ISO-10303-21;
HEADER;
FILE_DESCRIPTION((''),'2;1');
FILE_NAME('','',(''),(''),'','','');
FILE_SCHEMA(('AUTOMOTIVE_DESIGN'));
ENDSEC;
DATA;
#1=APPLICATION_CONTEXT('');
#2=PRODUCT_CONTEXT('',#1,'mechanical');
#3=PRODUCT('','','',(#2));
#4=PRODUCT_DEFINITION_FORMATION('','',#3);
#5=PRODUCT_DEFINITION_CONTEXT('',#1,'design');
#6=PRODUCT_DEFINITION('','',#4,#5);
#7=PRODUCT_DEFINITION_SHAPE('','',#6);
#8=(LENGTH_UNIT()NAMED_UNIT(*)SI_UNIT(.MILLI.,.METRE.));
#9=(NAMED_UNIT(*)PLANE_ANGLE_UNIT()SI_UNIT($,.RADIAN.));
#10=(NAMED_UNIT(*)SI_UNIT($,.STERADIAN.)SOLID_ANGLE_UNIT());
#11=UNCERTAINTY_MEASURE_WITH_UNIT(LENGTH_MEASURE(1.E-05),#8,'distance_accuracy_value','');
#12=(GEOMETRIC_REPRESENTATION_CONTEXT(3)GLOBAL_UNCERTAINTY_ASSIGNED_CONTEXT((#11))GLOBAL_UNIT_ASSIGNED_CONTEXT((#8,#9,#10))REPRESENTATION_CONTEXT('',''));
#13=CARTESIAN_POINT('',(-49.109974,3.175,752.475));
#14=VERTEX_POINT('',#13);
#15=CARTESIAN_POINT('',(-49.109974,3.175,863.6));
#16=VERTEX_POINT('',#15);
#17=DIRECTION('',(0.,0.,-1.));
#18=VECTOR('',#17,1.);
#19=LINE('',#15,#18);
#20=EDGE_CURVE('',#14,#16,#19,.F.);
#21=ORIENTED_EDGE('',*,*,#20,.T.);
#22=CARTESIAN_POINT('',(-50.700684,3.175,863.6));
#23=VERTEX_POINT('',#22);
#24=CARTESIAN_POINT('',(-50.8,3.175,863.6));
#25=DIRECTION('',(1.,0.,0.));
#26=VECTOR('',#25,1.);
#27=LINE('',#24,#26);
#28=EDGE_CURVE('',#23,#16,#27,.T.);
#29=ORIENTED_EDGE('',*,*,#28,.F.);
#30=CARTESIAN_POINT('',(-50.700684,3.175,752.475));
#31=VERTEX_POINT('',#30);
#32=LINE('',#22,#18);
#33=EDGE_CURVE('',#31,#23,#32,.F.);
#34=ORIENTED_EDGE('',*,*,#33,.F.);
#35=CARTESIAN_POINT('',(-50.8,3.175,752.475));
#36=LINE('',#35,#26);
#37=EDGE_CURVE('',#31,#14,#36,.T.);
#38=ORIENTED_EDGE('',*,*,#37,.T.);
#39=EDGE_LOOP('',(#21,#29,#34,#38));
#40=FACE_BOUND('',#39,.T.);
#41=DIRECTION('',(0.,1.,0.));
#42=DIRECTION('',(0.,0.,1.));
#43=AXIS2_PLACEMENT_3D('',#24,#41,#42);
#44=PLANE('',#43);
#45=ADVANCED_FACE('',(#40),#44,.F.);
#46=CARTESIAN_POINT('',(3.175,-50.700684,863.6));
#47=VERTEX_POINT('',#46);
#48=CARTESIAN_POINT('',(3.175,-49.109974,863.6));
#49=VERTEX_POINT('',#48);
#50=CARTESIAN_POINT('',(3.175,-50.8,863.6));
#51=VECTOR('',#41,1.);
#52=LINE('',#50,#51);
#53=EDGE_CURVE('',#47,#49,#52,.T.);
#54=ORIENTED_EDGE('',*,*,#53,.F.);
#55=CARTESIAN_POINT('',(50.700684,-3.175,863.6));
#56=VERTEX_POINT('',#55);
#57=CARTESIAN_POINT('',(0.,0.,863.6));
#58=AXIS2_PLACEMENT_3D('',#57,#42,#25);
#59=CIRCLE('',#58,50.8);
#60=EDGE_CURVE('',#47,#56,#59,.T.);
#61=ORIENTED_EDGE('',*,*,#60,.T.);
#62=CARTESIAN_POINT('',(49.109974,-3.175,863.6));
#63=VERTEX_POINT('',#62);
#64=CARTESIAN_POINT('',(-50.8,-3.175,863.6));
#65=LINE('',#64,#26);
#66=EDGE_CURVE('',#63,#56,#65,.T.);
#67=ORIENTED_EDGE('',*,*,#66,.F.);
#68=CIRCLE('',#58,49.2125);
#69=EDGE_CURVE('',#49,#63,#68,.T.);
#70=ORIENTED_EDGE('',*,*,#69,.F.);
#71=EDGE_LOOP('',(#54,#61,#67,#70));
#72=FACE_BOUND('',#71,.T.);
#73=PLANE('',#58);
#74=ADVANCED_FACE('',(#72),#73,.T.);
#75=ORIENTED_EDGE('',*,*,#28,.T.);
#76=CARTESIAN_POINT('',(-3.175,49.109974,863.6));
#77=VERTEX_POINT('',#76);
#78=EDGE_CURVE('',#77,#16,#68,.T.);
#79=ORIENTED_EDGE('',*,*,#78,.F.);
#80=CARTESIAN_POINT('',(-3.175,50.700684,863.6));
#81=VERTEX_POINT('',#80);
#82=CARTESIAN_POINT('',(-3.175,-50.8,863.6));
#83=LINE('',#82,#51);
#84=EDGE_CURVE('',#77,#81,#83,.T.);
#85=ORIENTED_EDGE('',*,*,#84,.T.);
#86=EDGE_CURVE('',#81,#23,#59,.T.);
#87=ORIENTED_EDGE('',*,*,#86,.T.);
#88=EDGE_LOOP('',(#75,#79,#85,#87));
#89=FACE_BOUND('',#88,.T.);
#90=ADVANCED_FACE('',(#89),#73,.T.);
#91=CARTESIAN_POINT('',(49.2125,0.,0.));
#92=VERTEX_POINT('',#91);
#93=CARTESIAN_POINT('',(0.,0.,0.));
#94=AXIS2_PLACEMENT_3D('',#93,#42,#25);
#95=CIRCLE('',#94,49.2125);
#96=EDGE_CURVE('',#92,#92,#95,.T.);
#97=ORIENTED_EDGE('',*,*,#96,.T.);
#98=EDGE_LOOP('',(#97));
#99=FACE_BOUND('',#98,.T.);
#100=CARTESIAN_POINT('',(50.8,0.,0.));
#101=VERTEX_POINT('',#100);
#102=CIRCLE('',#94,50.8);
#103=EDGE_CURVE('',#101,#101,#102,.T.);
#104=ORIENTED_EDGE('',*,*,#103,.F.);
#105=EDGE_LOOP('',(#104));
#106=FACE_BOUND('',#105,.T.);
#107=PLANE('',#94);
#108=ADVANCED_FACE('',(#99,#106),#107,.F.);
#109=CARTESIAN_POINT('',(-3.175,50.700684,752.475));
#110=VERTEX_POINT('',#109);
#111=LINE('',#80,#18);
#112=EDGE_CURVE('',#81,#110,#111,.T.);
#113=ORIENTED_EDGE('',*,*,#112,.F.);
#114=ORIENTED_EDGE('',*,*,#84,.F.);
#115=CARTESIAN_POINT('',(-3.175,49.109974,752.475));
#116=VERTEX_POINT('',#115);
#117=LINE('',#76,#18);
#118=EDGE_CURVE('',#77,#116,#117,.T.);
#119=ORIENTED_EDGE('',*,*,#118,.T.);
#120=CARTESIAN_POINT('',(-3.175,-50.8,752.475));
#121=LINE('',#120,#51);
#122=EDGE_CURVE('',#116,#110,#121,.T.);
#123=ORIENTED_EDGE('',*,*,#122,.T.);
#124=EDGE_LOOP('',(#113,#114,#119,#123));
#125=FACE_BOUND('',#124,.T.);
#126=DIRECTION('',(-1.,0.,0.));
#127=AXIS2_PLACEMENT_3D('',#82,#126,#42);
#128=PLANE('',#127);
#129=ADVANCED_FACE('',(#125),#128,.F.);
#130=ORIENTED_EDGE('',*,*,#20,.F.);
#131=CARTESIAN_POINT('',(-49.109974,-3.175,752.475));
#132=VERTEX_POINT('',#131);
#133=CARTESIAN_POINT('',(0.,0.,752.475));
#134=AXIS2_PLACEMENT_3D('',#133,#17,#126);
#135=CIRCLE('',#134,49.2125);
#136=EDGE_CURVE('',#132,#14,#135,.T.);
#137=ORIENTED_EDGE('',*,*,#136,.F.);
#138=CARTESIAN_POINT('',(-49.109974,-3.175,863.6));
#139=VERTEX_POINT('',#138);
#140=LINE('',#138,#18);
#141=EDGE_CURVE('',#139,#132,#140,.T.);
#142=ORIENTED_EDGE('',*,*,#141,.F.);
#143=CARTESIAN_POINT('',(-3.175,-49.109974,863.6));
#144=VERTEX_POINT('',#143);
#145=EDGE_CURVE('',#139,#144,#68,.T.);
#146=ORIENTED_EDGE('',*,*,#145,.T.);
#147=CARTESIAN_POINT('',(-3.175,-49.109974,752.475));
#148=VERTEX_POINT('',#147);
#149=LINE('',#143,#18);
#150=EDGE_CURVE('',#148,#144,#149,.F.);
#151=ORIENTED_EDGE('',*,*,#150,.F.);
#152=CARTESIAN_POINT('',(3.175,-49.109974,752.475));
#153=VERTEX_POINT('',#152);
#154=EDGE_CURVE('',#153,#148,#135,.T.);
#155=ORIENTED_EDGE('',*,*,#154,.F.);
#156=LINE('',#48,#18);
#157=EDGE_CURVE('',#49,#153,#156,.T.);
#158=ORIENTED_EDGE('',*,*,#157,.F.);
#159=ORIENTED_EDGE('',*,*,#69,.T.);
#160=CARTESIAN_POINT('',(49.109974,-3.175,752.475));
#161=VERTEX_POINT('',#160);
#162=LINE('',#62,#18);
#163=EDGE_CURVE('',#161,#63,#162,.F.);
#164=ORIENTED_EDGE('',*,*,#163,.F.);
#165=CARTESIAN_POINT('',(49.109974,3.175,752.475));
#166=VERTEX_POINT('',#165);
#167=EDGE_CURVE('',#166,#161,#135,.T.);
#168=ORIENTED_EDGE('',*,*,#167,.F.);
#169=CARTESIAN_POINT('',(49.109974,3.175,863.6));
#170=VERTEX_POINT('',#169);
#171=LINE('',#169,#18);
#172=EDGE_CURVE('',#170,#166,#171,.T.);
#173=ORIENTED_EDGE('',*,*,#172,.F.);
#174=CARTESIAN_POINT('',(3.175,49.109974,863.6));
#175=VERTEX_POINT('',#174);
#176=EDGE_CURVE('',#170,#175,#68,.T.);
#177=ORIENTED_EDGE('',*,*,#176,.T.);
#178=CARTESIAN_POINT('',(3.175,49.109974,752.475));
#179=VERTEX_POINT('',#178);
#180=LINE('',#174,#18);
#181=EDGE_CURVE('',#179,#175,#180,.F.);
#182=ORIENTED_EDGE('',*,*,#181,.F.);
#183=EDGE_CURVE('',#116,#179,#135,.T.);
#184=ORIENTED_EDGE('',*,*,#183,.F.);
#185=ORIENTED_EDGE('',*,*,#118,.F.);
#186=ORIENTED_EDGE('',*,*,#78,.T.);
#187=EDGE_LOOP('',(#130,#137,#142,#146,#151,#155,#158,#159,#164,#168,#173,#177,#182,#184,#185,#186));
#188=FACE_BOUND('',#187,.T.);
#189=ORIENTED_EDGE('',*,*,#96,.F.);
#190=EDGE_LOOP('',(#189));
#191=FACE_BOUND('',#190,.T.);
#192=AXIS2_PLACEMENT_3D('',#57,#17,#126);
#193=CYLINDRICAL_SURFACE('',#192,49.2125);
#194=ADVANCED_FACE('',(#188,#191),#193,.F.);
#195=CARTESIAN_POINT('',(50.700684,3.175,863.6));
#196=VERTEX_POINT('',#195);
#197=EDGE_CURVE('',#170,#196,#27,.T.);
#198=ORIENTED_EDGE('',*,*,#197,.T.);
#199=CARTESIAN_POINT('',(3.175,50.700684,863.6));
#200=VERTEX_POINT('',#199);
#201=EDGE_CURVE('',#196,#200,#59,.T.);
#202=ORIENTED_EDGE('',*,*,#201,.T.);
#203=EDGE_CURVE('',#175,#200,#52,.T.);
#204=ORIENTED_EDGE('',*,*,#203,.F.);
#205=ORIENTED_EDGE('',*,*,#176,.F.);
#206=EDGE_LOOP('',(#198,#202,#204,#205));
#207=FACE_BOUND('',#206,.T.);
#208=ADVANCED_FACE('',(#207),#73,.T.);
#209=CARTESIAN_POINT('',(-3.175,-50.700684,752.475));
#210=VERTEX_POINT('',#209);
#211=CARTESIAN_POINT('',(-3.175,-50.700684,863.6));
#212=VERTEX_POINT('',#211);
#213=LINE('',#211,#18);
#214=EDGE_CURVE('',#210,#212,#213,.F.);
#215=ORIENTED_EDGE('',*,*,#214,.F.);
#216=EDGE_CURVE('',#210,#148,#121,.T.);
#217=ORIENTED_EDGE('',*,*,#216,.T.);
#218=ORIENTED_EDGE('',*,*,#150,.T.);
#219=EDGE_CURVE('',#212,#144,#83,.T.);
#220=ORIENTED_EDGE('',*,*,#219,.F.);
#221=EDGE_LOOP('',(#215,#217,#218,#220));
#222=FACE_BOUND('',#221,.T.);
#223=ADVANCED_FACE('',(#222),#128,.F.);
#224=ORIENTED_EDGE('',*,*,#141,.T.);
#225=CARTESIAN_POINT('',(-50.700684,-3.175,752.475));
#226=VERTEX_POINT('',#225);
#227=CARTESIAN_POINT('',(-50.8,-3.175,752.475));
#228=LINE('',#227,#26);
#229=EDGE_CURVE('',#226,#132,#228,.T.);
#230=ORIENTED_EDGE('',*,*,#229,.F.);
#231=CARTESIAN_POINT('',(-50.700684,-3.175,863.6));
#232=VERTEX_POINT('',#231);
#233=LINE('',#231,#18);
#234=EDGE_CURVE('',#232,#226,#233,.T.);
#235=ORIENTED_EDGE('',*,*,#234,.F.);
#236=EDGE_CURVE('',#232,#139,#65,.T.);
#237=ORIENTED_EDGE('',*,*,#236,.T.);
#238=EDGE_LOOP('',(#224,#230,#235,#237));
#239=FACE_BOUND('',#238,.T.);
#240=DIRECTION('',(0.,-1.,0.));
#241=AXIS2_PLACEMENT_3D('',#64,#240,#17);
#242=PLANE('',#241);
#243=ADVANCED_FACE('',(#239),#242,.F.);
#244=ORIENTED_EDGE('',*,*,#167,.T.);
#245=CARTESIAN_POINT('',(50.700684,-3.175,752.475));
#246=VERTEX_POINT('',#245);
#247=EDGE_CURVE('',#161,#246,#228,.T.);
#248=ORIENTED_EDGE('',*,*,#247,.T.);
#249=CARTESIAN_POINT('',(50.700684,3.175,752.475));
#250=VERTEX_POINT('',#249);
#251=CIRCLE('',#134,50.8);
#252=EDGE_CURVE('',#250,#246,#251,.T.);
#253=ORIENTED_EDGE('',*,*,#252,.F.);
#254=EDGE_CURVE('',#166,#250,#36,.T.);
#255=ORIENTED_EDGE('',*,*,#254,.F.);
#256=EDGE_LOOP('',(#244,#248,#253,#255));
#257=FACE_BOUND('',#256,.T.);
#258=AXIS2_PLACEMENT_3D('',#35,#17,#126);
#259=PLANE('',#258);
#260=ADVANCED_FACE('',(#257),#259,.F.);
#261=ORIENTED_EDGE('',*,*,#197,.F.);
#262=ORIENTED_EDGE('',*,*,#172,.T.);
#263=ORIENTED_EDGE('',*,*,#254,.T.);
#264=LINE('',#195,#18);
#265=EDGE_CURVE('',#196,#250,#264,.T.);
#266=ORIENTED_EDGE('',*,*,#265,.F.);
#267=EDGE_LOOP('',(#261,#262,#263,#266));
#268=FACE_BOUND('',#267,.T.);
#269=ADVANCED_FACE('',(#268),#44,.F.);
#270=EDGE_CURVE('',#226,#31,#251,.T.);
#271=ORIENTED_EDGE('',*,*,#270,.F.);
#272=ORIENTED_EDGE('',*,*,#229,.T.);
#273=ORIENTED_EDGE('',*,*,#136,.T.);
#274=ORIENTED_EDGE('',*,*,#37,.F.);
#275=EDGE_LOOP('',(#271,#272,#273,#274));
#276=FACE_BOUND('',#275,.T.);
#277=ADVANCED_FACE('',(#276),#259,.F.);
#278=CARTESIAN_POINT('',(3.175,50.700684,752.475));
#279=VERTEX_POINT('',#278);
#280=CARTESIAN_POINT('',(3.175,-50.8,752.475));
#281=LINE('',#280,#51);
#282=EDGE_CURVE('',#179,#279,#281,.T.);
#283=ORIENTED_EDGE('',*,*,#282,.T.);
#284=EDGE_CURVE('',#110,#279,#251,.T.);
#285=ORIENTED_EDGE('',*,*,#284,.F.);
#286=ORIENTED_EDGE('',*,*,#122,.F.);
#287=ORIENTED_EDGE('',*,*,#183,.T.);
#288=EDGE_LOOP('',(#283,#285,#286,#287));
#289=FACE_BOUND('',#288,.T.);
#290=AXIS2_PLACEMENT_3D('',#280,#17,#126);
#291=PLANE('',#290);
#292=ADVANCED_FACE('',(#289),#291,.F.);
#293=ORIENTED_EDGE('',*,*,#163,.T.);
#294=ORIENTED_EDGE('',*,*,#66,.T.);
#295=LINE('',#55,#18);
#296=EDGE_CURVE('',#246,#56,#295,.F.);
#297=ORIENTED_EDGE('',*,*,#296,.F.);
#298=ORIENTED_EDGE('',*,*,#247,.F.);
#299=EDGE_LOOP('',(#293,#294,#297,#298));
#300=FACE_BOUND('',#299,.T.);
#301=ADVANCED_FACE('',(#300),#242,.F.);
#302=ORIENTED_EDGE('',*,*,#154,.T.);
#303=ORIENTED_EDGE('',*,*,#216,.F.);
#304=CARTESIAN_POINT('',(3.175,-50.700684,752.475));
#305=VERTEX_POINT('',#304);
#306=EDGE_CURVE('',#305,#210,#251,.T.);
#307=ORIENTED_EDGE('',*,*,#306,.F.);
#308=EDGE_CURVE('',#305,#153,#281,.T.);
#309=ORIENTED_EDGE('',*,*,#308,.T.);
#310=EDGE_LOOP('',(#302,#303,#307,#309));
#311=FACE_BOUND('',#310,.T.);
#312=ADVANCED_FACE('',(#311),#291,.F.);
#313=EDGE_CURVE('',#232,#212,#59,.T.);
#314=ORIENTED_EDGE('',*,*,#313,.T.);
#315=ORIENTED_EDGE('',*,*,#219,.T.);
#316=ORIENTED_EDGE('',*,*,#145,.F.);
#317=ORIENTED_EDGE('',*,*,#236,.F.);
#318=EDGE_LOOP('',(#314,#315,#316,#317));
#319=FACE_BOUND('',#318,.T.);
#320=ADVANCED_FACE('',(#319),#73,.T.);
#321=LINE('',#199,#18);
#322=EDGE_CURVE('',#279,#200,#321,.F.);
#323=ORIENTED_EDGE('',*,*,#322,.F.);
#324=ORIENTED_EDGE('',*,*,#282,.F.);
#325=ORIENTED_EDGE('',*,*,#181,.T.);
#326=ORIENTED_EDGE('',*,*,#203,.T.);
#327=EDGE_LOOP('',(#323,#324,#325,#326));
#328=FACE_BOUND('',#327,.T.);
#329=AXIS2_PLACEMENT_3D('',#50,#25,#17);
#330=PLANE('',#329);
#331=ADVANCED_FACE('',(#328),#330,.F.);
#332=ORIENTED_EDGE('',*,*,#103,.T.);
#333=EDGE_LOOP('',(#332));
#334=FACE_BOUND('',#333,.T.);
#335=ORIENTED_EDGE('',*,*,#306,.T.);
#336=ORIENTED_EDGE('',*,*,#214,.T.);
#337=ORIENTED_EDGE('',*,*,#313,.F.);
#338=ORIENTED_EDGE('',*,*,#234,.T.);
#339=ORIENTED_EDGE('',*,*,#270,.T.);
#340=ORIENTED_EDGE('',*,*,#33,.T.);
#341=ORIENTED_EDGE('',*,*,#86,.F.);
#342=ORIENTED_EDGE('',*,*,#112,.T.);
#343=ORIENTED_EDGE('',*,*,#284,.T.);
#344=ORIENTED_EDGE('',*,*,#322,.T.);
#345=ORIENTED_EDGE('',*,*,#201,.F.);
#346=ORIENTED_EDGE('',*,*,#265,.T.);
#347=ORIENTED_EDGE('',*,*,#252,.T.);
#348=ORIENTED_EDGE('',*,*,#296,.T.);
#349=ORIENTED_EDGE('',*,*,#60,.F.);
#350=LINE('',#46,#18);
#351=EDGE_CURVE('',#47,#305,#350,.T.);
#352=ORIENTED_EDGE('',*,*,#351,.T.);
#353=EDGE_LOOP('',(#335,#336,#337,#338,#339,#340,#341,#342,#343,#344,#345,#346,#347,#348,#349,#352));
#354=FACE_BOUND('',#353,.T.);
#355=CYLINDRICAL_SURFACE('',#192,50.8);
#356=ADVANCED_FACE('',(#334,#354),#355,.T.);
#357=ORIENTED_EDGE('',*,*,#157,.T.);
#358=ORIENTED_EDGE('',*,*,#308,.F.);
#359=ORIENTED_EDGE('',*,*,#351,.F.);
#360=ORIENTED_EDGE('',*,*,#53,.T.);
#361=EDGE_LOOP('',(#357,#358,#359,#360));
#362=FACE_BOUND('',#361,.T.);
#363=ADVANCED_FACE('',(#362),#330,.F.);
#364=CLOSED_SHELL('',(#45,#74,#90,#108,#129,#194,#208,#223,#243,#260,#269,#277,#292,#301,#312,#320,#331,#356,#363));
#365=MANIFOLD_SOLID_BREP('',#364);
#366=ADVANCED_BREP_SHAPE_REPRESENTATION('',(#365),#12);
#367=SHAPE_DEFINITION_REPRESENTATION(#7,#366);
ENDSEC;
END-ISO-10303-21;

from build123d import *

# Parameters (mm, degrees)
SKETCH1_R               = 50.8
SKETCH1_R_2             = 49.2125
BOSS_EXTRUDE1_DEPTH     = 863.6
SKETCH2_W               = 6.35
SKETCH2_H               = 111.125
CUT_EXTRUDE1_DEPTH      = 51.8
CUT_EXTRUDE1_DEPTH_BACK = 51.8
SKETCH3_W               = 111.125
SKETCH3_H               = 6.35
CUT_EXTRUDE2_DEPTH      = 51.8
CUT_EXTRUDE2_DEPTH_BACK = 51.8


with BuildPart() as part:
    # Sketch1 → Boss-Extrude1 (new body)
    with BuildSketch(Plane.XY):
        Circle(SKETCH1_R)
        Circle(SKETCH1_R_2, mode=Mode.SUBTRACT)
    extrude(amount=BOSS_EXTRUDE1_DEPTH)

    # Sketch2 → Cut-Extrude1 (cut, two sides)
    with BuildSketch(Plane(origin=(0, 0, 0), x_dir=(1, 0, 0), z_dir=(0, 1, 0))) as cut_extrude1_sk:
        with Locations((0, -808.0375)):
            Rectangle(SKETCH2_W, SKETCH2_H)
    extrude(amount=CUT_EXTRUDE1_DEPTH, mode=Mode.SUBTRACT)
    extrude(cut_extrude1_sk.sketch, amount=-CUT_EXTRUDE1_DEPTH_BACK, mode=Mode.SUBTRACT)

    # Sketch3 → Cut-Extrude2 (cut, two sides)
    with BuildSketch(Plane(origin=(0, 0, 0), x_dir=(0, 0, -1), z_dir=(1, 0, 0))) as cut_extrude2_sk:
        with Locations((-808.0375, 0)):
            Rectangle(SKETCH3_W, SKETCH3_H)
    extrude(amount=CUT_EXTRUDE2_DEPTH, mode=Mode.SUBTRACT)
    extrude(cut_extrude2_sk.sketch, amount=-CUT_EXTRUDE2_DEPTH_BACK, mode=Mode.SUBTRACT)


solid = part.part
